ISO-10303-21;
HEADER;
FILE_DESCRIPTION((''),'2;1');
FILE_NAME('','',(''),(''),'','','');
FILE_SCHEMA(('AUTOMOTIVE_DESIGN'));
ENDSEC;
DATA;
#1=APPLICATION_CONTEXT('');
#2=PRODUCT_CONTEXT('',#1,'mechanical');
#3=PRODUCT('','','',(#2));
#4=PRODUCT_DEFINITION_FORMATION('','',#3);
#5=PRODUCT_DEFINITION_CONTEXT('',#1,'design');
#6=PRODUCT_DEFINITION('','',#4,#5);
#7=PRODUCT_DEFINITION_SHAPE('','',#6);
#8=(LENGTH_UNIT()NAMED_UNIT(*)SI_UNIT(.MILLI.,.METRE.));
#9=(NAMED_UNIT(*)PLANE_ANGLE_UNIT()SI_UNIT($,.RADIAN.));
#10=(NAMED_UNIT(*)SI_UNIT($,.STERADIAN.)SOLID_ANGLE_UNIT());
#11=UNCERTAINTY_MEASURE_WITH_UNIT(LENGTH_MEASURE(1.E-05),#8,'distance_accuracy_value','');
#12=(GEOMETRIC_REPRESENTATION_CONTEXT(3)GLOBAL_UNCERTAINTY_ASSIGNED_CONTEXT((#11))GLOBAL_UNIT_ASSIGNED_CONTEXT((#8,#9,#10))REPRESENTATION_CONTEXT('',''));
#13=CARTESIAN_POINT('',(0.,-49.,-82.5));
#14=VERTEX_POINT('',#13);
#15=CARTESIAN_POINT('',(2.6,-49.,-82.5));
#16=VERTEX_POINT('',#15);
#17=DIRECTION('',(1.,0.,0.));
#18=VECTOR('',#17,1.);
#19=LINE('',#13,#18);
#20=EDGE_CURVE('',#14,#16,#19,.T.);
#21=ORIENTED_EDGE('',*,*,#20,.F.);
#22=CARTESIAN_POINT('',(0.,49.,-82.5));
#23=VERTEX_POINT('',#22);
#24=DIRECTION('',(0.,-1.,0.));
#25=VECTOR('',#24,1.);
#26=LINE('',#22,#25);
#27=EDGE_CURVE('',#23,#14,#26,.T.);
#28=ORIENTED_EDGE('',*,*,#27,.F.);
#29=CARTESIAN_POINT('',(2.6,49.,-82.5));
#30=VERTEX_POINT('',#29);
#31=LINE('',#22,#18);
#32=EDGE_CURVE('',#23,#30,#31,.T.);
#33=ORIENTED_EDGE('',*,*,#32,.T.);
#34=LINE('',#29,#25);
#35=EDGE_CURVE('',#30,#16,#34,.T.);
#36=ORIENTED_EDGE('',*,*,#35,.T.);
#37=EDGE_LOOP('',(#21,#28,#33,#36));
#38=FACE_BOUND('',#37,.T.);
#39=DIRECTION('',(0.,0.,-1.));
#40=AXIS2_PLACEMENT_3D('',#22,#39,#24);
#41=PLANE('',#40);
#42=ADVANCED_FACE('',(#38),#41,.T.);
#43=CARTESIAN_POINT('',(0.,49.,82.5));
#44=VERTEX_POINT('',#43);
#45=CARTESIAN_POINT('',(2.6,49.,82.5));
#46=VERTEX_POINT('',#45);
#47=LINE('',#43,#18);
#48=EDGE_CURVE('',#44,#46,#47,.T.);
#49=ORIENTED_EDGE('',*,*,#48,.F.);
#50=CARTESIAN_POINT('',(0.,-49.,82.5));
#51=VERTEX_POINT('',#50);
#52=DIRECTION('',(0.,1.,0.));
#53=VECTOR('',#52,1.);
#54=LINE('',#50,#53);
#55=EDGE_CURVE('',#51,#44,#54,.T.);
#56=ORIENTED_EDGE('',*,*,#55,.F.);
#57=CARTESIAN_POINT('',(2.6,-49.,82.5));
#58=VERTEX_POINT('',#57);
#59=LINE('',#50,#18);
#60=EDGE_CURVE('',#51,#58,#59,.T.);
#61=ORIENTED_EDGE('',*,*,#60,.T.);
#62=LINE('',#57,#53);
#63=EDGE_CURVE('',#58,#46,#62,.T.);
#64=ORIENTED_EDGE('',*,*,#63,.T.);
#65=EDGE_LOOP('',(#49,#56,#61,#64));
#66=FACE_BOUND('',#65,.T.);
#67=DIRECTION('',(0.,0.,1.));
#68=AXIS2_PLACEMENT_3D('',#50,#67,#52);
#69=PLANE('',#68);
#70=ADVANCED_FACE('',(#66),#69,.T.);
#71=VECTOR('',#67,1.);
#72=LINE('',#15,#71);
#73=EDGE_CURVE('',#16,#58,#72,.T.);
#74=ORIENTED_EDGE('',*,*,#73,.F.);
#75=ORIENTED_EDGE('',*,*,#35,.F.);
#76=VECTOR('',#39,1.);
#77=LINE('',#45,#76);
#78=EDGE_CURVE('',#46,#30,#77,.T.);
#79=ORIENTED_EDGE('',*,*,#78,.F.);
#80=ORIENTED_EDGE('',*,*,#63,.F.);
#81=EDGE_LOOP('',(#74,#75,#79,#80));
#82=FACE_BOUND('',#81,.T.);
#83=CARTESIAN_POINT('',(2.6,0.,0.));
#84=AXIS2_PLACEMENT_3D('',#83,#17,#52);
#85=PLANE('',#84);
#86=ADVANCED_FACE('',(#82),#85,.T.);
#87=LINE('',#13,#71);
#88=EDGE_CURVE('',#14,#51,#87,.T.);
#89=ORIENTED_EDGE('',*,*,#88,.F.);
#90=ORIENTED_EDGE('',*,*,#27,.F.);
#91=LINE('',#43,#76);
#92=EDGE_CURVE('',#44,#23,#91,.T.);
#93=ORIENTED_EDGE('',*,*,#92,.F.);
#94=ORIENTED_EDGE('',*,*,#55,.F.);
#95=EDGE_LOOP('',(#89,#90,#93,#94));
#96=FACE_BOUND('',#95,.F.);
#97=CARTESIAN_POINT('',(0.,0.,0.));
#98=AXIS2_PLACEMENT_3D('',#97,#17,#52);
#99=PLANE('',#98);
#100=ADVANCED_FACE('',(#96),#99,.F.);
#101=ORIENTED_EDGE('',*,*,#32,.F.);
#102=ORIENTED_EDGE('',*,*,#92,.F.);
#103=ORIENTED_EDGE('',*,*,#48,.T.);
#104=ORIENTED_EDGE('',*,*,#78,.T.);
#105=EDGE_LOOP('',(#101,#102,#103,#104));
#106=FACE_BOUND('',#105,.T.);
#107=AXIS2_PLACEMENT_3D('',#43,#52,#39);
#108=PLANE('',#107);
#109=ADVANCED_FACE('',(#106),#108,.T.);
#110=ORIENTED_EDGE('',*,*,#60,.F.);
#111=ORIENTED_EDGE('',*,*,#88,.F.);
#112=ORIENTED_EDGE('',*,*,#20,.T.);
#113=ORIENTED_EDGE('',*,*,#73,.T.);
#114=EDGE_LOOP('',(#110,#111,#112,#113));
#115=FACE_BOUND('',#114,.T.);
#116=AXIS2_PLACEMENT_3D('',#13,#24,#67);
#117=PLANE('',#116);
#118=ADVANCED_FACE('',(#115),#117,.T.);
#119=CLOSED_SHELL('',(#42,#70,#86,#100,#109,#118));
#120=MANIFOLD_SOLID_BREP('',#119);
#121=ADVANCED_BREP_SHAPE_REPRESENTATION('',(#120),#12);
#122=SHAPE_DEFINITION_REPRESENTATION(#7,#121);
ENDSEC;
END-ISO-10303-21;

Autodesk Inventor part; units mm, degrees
ref_plane "YZ Plane" through (0, 0, 0) normal (1, 0, 0) x (0, 1, 0)
ref_plane "XZ Plane" through (0, 0, 0) normal (0, 1, 0) x (-1, 0, 0)
ref_plane "XY Plane" through (0, 0, 0) normal (0, 0, 1) x (1, 0, 0)
sketch "Szkic1" plane through (0, 0, 0) normal (1, 0, 0) x (0, 1, 0)
  line L0 (-49, 82.5) -> (49, 82.5)
  line L1 (49, 82.5) -> (49, -82.5)
  line L2 (49, -82.5) -> (-49, -82.5)
  line L3 (-49, -82.5) -> (-49, 82.5)
  line L4 (-49, 82.5) -> (49, -82.5) construction
  line L5 (49, 82.5) -> (-49, -82.5) construction
  point P0 (0, 0)
  dimension "d0" = 98
  dimension "d1" = 165
extrude "Wyciągnięcie proste1" add sketch "Szkic1" along normal blind 2.6
properties part number "ekran"
